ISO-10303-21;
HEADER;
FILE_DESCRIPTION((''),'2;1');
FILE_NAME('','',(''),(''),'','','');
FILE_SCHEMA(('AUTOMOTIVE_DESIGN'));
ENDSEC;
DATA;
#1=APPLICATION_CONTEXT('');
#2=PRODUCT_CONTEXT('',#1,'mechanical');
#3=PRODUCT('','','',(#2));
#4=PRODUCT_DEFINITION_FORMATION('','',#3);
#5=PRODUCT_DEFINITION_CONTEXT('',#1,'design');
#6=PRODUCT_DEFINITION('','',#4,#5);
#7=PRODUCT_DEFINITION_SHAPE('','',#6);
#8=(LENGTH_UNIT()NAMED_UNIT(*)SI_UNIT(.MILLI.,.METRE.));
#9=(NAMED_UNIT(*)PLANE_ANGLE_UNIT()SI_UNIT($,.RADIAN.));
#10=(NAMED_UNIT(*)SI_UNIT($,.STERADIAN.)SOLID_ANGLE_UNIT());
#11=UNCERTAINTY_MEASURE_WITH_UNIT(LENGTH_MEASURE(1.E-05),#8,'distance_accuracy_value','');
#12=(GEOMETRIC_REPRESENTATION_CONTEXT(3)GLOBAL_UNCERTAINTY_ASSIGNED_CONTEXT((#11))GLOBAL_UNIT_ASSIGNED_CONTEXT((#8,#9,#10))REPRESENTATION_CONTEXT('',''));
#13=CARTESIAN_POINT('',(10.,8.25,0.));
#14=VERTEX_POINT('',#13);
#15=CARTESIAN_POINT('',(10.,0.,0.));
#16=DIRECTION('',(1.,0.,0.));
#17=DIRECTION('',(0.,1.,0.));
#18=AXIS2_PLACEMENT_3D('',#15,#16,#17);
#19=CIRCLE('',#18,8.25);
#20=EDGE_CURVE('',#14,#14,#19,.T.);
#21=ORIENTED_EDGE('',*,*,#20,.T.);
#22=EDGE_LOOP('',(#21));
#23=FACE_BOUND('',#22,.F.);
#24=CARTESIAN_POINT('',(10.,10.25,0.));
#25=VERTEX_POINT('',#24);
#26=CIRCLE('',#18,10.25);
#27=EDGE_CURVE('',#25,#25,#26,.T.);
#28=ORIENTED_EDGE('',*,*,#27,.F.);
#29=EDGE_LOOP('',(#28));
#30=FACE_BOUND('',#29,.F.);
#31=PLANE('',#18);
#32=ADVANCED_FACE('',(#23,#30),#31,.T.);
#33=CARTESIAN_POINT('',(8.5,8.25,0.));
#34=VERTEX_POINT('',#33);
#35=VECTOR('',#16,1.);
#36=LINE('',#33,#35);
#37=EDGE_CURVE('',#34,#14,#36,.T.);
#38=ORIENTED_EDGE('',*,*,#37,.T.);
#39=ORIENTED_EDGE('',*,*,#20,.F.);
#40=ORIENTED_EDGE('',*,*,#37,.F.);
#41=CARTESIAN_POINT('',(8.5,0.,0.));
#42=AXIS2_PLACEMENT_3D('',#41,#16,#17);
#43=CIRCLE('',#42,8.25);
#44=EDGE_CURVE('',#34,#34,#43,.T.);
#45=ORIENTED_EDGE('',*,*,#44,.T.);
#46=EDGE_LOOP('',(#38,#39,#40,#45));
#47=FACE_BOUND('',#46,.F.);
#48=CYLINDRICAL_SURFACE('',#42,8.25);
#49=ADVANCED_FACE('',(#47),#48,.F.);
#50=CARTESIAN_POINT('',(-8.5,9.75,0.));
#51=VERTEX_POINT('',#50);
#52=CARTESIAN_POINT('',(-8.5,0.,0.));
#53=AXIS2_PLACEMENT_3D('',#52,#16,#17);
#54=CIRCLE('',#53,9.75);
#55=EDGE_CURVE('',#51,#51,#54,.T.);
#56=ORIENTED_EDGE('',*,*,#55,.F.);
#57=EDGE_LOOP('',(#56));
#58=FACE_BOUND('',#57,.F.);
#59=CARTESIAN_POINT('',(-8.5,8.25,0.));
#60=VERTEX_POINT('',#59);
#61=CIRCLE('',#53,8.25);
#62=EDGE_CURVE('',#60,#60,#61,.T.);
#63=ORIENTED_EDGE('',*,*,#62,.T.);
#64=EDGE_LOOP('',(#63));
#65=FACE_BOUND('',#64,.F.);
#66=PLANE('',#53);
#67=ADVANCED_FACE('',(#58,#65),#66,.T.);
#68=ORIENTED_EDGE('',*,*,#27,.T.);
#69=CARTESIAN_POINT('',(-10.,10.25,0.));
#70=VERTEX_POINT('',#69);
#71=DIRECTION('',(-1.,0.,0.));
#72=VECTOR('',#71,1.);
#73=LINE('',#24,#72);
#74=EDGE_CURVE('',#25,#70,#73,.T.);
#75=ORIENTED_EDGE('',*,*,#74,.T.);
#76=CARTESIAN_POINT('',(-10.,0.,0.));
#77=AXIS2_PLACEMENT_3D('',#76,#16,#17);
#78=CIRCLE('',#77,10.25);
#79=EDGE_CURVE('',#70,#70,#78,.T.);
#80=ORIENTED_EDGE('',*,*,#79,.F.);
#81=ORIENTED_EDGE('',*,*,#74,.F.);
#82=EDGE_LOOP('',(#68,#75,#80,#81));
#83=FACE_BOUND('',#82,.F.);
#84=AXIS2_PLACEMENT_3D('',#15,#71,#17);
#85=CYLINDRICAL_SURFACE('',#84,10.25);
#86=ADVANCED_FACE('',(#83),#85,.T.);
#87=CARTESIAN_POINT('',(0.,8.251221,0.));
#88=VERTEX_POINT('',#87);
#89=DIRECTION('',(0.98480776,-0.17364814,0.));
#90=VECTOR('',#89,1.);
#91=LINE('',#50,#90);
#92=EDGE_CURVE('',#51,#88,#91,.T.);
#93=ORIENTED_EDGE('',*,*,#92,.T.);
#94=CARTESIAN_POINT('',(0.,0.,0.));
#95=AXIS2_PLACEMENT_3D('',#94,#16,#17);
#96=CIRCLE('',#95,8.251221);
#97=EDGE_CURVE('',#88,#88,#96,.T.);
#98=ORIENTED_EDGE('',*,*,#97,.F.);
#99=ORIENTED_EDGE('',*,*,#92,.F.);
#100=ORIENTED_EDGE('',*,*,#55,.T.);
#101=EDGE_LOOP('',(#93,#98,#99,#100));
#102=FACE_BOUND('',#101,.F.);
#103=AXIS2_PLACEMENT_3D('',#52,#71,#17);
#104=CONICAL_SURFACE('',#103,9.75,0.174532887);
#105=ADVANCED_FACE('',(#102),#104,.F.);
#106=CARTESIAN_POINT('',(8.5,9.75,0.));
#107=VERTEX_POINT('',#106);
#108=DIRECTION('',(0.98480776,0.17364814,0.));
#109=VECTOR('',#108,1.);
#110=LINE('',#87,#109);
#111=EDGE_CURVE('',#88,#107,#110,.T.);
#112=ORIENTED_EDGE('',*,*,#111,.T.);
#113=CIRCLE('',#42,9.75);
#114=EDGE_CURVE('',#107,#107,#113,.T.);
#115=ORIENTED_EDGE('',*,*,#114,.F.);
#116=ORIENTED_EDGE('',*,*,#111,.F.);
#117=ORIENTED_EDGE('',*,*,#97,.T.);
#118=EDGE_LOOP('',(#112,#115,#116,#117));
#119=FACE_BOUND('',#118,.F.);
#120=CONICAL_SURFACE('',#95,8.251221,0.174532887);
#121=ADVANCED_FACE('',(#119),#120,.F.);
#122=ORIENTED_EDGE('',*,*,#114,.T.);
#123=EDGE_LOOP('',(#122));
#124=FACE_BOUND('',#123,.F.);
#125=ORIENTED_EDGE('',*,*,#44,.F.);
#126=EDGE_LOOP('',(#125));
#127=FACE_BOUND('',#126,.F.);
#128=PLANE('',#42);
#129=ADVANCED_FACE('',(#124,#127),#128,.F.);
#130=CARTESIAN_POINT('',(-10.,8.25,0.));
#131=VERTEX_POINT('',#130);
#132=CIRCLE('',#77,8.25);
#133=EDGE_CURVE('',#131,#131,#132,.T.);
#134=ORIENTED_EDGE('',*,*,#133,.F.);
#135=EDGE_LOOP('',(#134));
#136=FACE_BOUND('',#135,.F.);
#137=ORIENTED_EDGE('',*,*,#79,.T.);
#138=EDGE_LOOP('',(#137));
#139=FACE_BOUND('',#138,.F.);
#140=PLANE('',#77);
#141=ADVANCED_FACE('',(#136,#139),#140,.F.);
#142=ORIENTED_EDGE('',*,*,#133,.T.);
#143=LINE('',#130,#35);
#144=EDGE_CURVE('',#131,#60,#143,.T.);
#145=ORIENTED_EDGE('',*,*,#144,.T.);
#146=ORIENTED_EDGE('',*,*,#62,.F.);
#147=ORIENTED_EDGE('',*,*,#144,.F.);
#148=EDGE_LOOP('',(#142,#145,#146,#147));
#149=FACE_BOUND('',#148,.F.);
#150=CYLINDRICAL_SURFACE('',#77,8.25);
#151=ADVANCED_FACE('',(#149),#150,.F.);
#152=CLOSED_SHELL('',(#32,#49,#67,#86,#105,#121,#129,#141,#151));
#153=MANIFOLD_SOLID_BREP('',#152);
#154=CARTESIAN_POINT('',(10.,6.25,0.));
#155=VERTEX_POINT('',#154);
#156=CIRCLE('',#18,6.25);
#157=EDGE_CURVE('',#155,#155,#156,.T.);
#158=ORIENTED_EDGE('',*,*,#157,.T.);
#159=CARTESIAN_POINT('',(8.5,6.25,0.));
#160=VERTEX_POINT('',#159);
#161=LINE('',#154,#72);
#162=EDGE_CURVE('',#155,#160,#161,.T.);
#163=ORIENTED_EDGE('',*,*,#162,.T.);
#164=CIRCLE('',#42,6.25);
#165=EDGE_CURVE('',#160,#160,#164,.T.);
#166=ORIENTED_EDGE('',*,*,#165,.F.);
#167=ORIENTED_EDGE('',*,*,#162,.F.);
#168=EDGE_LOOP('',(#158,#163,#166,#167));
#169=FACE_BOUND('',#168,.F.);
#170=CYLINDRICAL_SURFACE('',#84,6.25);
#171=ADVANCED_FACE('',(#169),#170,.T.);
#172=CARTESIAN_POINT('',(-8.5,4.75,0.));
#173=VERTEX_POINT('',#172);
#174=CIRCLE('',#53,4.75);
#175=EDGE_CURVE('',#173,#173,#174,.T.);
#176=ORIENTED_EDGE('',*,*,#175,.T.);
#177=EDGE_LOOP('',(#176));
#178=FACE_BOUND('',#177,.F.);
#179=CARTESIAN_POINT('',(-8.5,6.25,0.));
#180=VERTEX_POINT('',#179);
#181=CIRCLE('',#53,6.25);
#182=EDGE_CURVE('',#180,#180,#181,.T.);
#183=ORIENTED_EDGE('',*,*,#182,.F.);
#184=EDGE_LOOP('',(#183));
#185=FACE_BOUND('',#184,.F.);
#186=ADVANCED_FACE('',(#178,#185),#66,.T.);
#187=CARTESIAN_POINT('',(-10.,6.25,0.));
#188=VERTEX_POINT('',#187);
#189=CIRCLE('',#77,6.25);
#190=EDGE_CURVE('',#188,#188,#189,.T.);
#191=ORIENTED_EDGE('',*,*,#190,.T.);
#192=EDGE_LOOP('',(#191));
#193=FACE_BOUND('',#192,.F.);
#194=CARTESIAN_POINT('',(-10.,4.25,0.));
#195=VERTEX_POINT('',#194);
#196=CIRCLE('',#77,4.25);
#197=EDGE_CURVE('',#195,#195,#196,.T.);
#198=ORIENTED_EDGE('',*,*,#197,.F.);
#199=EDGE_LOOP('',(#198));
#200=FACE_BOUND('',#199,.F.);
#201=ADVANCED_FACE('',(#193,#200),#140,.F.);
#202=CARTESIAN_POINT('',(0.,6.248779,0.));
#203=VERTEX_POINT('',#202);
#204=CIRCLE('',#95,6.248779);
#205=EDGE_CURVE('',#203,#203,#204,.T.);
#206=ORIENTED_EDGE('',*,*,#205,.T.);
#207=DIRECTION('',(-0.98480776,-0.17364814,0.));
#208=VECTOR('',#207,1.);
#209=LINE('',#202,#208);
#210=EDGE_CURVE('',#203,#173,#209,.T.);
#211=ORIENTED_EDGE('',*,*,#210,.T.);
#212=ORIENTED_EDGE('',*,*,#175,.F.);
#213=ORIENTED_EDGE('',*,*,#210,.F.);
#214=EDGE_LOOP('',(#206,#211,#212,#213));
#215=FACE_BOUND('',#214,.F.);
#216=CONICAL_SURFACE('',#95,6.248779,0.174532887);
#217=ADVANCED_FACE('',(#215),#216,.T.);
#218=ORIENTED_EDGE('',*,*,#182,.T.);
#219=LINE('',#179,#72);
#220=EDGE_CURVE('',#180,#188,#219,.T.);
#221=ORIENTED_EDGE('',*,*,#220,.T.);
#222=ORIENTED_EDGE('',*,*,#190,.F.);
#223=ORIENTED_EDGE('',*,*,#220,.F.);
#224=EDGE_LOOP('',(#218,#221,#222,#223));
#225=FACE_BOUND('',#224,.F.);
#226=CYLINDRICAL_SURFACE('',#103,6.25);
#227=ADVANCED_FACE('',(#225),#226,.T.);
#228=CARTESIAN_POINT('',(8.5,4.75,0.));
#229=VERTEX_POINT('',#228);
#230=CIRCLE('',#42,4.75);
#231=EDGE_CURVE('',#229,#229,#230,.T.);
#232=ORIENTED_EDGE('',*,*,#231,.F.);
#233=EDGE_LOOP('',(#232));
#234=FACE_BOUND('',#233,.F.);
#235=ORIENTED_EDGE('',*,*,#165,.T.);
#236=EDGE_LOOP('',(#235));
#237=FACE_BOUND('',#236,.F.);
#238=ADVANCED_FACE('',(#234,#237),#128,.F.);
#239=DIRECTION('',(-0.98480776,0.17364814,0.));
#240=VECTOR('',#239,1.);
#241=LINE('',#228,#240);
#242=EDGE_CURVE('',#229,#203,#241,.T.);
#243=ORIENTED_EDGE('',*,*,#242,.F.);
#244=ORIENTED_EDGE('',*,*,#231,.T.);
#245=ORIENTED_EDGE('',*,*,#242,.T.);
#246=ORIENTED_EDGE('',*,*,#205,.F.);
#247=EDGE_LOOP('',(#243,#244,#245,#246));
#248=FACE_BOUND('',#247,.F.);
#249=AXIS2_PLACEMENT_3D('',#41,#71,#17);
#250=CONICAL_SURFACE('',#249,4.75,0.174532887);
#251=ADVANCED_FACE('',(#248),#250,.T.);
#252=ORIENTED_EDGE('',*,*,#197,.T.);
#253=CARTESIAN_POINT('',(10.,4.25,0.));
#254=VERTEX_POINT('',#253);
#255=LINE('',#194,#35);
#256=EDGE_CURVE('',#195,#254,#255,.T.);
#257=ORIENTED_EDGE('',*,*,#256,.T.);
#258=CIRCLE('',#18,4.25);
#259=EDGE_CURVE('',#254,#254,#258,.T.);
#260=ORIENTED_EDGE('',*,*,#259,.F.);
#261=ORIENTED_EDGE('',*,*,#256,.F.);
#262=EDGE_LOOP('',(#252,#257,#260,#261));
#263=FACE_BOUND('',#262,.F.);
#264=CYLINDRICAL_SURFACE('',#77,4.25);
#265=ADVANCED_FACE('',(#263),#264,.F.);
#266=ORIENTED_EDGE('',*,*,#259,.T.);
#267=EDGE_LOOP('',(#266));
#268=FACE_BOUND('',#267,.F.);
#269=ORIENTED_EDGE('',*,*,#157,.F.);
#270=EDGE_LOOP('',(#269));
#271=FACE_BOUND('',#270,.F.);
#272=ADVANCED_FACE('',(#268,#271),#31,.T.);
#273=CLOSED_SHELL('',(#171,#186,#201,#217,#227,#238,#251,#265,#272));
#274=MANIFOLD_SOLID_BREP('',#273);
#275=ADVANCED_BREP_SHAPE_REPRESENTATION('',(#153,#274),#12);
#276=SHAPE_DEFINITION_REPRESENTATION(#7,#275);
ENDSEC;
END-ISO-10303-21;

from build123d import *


with BuildPart() as f1:
    # F0 (on Top) → F1 (revolve)
    with BuildSketch(Plane.XY):
        Polygon((-10, 6.25), (-10, 4.25), (10, 4.25), (10, 6.25), (8.5, 6.25), (8.5, 4.75), (0, 6.248779), (-8.5, 4.75), (-8.5, 6.25), align=None)
        Polygon((-10, 10.25), (-10, 8.25), (-8.5, 8.25), (-8.5, 9.75), (0, 8.251221), (8.5, 9.75), (8.5, 8.25), (10, 8.25), (10, 10.25), align=None)
    revolve(axis=Axis((6.478019, 0, 0), (1, 0, 0)))


solid = f1.part
